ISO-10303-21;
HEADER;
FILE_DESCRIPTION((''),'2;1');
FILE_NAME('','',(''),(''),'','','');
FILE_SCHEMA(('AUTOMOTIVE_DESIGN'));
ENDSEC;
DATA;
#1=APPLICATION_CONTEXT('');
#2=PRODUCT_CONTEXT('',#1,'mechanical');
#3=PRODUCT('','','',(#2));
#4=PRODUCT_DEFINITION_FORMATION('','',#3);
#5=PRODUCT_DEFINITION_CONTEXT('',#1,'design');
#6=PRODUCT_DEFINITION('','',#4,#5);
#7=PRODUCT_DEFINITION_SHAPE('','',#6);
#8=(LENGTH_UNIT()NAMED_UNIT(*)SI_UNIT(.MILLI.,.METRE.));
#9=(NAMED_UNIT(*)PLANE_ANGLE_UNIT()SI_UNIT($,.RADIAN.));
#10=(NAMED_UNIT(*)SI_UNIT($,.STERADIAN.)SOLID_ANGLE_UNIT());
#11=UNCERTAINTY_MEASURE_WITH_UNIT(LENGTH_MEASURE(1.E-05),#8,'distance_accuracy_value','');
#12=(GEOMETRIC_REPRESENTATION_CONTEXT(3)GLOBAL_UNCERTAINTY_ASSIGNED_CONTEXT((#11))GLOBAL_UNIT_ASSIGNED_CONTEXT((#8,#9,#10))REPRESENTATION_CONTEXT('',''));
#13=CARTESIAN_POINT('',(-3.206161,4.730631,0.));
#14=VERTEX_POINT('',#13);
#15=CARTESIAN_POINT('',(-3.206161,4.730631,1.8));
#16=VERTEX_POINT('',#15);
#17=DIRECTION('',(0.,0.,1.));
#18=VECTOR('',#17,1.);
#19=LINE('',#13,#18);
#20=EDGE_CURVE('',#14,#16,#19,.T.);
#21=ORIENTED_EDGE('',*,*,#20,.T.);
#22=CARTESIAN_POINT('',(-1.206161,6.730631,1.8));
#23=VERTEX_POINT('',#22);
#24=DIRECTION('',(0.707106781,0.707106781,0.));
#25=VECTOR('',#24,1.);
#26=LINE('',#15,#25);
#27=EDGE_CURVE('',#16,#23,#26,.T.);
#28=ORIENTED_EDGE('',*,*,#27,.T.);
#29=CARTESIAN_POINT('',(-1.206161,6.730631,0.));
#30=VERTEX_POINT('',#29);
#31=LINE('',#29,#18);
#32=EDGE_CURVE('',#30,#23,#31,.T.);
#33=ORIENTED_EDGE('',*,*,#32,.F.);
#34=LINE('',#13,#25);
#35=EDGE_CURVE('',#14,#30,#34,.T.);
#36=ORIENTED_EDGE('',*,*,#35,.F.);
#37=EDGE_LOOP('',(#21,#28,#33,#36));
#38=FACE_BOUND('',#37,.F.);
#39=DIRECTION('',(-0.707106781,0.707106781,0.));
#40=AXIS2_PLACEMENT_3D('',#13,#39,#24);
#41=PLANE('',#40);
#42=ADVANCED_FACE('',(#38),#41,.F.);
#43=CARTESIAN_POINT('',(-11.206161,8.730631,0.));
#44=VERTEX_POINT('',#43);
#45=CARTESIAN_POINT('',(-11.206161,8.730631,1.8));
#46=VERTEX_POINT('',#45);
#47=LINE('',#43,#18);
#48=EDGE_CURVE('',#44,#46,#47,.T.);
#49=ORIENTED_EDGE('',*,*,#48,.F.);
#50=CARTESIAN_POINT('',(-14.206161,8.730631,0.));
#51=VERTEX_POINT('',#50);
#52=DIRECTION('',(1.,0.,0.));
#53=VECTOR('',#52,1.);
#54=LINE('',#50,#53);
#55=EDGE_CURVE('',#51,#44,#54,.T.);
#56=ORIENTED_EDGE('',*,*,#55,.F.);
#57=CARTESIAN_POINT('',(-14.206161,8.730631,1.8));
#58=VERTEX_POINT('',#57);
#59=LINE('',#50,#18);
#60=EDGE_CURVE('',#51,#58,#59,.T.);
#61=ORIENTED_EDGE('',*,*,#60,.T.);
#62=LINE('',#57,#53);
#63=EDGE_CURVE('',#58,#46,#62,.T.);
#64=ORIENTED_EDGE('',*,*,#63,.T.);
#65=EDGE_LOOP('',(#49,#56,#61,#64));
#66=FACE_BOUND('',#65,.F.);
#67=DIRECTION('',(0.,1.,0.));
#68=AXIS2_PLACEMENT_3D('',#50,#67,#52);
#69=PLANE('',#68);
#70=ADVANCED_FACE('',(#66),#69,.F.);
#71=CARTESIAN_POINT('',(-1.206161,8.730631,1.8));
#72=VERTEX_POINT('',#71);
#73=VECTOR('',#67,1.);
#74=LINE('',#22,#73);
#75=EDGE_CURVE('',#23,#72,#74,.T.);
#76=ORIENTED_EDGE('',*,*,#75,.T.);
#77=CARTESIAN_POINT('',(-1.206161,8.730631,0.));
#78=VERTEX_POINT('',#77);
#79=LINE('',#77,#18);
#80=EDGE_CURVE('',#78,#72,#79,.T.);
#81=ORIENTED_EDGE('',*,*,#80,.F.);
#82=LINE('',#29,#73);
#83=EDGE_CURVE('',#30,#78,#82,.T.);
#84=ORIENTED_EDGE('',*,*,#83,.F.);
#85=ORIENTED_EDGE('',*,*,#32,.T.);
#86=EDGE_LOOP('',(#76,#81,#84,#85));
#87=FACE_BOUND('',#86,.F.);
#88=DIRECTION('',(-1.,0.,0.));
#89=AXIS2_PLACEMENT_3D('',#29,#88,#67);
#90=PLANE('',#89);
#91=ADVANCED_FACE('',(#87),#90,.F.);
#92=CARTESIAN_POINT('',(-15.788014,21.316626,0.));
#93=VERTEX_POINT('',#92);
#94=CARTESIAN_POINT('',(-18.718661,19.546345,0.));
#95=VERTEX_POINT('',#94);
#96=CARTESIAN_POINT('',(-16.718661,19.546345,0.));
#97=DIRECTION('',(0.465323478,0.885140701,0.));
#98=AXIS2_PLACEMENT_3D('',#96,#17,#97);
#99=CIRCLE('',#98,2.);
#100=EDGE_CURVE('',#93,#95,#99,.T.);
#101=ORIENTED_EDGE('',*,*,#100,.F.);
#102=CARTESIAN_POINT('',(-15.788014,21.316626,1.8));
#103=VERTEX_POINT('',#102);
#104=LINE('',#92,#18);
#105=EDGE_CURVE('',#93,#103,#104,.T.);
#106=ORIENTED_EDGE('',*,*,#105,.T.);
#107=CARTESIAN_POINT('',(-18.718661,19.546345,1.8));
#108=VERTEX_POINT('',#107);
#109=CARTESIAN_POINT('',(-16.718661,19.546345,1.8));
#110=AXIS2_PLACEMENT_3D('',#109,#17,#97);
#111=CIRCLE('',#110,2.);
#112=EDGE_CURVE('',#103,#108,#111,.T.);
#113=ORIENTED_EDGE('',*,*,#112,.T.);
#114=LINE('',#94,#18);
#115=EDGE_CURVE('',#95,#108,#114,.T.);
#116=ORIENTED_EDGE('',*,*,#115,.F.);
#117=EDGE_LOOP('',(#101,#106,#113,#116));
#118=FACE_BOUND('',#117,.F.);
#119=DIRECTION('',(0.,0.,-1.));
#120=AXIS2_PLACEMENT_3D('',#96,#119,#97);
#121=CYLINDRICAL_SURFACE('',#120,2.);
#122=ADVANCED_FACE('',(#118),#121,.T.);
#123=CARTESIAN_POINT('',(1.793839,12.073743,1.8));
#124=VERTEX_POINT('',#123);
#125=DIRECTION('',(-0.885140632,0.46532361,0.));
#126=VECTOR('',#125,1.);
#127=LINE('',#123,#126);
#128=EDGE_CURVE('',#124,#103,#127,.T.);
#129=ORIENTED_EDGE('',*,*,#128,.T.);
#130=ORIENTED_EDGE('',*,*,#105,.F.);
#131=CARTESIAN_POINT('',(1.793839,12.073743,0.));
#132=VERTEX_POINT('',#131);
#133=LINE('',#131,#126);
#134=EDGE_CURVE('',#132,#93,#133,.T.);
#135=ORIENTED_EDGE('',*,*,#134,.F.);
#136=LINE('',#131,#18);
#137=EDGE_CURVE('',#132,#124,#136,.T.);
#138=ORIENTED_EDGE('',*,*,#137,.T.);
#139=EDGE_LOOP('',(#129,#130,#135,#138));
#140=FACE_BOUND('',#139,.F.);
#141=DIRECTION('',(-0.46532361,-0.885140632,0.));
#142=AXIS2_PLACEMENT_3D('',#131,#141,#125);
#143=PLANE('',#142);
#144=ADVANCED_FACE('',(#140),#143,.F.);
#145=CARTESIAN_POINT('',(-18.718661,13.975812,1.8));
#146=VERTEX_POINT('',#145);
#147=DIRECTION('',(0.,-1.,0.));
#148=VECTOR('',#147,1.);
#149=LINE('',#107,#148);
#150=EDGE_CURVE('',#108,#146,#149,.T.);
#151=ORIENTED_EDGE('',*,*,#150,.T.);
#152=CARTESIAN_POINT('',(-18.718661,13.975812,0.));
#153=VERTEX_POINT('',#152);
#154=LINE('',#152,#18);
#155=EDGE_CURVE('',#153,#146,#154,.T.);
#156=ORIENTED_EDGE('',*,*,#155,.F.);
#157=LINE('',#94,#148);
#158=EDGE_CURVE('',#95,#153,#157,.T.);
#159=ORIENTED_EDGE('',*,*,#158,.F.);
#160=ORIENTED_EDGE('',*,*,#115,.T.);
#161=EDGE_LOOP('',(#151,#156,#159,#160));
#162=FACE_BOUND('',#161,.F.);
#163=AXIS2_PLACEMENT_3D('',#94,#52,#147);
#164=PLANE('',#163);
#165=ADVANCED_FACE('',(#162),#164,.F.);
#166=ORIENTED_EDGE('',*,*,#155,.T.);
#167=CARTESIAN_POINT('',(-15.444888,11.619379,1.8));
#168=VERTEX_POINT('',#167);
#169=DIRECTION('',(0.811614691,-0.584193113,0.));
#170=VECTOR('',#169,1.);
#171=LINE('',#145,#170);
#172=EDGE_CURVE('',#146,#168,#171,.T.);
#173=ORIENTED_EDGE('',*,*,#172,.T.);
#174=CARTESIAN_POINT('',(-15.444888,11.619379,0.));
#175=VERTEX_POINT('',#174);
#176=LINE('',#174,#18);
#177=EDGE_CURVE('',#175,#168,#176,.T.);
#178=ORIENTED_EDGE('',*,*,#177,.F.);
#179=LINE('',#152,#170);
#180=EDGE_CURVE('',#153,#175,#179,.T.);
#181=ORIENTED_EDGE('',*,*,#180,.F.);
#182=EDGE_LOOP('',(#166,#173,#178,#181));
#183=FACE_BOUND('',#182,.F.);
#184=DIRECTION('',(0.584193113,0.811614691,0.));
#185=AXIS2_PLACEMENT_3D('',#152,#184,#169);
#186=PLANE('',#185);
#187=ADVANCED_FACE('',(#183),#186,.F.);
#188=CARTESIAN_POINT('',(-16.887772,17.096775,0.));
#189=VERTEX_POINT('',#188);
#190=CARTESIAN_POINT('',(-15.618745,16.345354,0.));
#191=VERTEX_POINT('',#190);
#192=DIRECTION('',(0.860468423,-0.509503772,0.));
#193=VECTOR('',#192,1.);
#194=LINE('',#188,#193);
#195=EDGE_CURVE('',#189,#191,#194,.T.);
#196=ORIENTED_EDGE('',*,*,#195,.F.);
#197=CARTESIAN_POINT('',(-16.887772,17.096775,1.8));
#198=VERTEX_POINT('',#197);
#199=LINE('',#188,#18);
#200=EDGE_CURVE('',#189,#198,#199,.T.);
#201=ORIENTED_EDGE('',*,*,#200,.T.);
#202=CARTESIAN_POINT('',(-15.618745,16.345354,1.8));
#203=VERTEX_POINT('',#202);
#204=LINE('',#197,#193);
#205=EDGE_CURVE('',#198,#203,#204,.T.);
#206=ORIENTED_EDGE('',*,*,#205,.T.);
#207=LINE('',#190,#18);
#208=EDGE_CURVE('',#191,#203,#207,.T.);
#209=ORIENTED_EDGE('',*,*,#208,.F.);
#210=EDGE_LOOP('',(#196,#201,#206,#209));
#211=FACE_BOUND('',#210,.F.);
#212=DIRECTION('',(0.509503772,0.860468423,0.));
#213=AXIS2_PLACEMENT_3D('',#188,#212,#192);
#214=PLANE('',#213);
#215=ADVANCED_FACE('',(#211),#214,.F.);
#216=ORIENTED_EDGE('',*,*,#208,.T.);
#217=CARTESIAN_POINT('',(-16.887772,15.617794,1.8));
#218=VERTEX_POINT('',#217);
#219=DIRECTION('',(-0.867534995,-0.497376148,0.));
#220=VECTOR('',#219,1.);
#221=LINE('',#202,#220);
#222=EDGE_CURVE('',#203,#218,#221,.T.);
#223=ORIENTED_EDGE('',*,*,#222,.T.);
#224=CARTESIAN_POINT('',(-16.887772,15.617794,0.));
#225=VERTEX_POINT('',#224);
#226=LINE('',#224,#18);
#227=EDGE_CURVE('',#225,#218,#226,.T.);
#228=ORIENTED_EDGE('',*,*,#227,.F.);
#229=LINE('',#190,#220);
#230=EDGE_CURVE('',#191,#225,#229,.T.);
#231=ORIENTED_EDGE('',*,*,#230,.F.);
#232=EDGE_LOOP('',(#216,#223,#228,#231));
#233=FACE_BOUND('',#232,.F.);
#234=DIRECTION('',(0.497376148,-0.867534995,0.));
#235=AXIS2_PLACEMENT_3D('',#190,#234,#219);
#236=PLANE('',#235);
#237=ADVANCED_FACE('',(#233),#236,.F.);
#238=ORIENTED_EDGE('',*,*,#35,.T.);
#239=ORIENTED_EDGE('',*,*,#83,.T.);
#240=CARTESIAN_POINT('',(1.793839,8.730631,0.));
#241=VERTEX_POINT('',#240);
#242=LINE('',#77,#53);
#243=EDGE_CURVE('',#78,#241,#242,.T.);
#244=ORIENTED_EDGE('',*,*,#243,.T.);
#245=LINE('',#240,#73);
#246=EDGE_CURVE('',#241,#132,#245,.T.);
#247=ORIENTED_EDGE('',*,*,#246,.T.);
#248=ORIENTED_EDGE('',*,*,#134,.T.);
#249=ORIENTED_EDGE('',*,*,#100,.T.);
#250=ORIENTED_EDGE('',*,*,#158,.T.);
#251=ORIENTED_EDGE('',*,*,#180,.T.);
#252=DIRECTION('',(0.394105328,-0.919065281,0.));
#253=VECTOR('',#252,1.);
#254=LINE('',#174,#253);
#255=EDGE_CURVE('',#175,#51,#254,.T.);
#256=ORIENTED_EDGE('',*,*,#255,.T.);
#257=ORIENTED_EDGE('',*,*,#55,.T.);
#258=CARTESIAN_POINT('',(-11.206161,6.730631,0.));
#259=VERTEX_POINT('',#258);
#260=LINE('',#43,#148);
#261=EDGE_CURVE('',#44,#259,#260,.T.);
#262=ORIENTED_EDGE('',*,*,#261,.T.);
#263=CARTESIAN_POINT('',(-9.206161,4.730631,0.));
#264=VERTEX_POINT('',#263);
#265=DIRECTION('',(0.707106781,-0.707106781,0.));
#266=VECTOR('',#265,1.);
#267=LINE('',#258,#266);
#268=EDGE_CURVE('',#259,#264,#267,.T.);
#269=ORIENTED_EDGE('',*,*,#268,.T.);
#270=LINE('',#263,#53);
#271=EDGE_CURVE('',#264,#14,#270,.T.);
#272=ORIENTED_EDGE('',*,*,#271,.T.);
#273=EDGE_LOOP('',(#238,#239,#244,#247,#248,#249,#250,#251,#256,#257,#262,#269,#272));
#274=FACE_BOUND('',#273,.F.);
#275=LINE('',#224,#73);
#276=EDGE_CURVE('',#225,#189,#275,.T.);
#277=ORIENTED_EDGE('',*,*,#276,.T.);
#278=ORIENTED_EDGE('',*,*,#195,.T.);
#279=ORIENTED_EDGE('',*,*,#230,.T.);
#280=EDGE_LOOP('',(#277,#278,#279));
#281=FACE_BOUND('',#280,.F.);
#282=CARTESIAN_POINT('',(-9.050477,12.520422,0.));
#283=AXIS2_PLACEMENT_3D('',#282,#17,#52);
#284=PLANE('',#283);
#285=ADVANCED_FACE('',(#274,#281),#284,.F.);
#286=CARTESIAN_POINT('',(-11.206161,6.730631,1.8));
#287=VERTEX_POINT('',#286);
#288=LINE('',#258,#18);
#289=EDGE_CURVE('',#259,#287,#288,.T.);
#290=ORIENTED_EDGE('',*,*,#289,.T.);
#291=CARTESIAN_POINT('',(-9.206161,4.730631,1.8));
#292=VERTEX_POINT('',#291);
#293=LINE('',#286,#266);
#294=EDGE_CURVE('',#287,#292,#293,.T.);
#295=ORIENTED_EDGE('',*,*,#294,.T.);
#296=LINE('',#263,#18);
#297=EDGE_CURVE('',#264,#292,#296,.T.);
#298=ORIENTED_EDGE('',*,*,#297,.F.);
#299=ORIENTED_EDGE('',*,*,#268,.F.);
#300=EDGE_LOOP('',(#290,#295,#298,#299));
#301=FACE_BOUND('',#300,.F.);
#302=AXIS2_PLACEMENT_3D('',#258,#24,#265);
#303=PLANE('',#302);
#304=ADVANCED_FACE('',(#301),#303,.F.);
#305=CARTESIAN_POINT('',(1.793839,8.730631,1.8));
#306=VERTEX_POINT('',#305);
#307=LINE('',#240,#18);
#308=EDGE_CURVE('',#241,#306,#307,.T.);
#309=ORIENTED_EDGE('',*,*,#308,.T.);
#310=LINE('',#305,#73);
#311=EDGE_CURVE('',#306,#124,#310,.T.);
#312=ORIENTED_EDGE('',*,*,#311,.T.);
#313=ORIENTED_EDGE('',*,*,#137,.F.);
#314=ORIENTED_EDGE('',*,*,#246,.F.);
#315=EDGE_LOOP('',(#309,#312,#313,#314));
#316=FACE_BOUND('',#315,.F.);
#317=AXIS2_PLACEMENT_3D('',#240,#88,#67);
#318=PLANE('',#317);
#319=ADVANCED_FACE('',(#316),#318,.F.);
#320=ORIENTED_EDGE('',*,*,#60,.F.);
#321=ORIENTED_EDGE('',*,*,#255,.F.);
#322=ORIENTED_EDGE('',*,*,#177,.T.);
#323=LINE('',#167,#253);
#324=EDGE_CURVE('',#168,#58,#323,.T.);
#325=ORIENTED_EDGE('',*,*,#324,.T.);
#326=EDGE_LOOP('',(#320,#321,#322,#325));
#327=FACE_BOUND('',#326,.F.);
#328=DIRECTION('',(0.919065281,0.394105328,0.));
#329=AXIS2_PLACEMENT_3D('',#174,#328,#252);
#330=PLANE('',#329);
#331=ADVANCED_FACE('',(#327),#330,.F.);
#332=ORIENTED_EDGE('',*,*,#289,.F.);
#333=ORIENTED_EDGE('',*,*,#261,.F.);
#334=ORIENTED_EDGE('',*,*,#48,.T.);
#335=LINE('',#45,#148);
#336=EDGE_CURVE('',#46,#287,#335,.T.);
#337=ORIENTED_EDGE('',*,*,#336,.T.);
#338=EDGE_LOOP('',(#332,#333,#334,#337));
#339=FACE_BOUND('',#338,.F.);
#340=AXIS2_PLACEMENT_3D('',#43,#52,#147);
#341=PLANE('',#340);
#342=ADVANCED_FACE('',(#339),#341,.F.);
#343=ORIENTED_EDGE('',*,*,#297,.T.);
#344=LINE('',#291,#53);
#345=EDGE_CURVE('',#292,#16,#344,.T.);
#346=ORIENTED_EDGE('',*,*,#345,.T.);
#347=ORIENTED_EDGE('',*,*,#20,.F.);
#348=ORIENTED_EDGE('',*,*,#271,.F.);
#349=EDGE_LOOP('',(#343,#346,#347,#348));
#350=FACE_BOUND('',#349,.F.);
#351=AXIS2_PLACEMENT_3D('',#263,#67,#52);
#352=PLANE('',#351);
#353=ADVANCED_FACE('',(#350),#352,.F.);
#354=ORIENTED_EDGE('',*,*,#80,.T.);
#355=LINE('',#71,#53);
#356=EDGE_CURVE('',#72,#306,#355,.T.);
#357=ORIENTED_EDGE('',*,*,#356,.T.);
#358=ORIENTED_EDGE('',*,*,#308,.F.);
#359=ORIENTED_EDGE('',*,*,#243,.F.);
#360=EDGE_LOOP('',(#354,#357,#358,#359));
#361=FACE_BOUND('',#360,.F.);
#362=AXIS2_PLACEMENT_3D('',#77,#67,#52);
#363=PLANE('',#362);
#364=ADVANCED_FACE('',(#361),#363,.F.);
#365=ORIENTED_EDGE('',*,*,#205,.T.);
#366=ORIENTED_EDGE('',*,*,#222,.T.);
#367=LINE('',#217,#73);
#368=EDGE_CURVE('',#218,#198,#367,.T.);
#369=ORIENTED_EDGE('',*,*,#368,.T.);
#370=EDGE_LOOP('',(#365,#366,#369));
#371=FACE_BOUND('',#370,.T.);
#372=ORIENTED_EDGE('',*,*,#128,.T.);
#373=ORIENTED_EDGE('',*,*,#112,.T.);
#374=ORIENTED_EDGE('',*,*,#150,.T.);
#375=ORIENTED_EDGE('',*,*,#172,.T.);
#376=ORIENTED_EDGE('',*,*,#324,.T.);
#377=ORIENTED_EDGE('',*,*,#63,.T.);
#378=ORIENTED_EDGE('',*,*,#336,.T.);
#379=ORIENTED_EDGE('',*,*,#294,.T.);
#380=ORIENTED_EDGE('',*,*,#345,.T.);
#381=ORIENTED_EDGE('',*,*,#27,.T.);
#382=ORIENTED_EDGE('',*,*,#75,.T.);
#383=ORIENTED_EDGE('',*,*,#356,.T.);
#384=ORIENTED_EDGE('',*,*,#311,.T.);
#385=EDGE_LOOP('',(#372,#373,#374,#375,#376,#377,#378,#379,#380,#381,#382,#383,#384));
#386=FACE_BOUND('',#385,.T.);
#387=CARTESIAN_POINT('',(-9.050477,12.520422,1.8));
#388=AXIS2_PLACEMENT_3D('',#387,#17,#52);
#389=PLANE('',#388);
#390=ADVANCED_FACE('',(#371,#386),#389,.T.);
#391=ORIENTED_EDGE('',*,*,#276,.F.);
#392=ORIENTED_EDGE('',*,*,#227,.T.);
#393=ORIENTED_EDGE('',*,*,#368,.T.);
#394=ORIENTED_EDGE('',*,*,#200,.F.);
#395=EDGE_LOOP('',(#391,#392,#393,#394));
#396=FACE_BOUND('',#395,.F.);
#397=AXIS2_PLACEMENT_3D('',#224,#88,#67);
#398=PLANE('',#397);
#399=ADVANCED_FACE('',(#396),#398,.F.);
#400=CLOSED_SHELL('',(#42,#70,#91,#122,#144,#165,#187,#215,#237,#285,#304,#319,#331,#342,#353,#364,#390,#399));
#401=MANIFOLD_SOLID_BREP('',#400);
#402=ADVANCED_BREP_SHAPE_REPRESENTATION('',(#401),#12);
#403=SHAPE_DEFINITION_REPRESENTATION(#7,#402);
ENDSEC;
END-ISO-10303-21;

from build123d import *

# Parameters (mm, degrees)
F1_DEPTH = 1.8


with BuildPart() as f1:
    # F0 (on Top) → F1 (new body)
    with BuildSketch(Plane.XY):
        with BuildLine():
            Line((-15.444888, 11.619379), (-14.206161, 8.730631))
            Line((-14.206161, 8.730631), (-11.206161, 8.730631))
            Line((-11.206161, 8.730631), (-11.206161, 6.730631))
            Line((-11.206161, 6.730631), (-9.206161, 4.730631))
            Line((-9.206161, 4.730631), (-3.206161, 4.730631))
            Line((-3.206161, 4.730631), (-1.206161, 6.730631))
            Line((-1.206161, 6.730631), (-1.206161, 8.730631))
            Line((-1.206161, 8.730631), (1.793839, 8.730631))
            Line((1.793839, 8.730631), (1.793839, 12.073743))
            Line((1.793839, 12.073743), (-15.788014, 21.316626))
            ThreePointArc((-15.788014, 21.316626), (-17.752756, 21.258258), (-18.718661, 19.546345))
            Line((-18.718661, 19.546345), (-18.718661, 13.975812))
            Line((-18.718661, 13.975812), (-15.444888, 11.619379))
        make_face()
        Polygon((-16.887772, 15.617794), (-16.887772, 17.096775), (-15.618745, 16.345354), align=None, mode=Mode.SUBTRACT)
    extrude(amount=F1_DEPTH)


solid = f1.part
